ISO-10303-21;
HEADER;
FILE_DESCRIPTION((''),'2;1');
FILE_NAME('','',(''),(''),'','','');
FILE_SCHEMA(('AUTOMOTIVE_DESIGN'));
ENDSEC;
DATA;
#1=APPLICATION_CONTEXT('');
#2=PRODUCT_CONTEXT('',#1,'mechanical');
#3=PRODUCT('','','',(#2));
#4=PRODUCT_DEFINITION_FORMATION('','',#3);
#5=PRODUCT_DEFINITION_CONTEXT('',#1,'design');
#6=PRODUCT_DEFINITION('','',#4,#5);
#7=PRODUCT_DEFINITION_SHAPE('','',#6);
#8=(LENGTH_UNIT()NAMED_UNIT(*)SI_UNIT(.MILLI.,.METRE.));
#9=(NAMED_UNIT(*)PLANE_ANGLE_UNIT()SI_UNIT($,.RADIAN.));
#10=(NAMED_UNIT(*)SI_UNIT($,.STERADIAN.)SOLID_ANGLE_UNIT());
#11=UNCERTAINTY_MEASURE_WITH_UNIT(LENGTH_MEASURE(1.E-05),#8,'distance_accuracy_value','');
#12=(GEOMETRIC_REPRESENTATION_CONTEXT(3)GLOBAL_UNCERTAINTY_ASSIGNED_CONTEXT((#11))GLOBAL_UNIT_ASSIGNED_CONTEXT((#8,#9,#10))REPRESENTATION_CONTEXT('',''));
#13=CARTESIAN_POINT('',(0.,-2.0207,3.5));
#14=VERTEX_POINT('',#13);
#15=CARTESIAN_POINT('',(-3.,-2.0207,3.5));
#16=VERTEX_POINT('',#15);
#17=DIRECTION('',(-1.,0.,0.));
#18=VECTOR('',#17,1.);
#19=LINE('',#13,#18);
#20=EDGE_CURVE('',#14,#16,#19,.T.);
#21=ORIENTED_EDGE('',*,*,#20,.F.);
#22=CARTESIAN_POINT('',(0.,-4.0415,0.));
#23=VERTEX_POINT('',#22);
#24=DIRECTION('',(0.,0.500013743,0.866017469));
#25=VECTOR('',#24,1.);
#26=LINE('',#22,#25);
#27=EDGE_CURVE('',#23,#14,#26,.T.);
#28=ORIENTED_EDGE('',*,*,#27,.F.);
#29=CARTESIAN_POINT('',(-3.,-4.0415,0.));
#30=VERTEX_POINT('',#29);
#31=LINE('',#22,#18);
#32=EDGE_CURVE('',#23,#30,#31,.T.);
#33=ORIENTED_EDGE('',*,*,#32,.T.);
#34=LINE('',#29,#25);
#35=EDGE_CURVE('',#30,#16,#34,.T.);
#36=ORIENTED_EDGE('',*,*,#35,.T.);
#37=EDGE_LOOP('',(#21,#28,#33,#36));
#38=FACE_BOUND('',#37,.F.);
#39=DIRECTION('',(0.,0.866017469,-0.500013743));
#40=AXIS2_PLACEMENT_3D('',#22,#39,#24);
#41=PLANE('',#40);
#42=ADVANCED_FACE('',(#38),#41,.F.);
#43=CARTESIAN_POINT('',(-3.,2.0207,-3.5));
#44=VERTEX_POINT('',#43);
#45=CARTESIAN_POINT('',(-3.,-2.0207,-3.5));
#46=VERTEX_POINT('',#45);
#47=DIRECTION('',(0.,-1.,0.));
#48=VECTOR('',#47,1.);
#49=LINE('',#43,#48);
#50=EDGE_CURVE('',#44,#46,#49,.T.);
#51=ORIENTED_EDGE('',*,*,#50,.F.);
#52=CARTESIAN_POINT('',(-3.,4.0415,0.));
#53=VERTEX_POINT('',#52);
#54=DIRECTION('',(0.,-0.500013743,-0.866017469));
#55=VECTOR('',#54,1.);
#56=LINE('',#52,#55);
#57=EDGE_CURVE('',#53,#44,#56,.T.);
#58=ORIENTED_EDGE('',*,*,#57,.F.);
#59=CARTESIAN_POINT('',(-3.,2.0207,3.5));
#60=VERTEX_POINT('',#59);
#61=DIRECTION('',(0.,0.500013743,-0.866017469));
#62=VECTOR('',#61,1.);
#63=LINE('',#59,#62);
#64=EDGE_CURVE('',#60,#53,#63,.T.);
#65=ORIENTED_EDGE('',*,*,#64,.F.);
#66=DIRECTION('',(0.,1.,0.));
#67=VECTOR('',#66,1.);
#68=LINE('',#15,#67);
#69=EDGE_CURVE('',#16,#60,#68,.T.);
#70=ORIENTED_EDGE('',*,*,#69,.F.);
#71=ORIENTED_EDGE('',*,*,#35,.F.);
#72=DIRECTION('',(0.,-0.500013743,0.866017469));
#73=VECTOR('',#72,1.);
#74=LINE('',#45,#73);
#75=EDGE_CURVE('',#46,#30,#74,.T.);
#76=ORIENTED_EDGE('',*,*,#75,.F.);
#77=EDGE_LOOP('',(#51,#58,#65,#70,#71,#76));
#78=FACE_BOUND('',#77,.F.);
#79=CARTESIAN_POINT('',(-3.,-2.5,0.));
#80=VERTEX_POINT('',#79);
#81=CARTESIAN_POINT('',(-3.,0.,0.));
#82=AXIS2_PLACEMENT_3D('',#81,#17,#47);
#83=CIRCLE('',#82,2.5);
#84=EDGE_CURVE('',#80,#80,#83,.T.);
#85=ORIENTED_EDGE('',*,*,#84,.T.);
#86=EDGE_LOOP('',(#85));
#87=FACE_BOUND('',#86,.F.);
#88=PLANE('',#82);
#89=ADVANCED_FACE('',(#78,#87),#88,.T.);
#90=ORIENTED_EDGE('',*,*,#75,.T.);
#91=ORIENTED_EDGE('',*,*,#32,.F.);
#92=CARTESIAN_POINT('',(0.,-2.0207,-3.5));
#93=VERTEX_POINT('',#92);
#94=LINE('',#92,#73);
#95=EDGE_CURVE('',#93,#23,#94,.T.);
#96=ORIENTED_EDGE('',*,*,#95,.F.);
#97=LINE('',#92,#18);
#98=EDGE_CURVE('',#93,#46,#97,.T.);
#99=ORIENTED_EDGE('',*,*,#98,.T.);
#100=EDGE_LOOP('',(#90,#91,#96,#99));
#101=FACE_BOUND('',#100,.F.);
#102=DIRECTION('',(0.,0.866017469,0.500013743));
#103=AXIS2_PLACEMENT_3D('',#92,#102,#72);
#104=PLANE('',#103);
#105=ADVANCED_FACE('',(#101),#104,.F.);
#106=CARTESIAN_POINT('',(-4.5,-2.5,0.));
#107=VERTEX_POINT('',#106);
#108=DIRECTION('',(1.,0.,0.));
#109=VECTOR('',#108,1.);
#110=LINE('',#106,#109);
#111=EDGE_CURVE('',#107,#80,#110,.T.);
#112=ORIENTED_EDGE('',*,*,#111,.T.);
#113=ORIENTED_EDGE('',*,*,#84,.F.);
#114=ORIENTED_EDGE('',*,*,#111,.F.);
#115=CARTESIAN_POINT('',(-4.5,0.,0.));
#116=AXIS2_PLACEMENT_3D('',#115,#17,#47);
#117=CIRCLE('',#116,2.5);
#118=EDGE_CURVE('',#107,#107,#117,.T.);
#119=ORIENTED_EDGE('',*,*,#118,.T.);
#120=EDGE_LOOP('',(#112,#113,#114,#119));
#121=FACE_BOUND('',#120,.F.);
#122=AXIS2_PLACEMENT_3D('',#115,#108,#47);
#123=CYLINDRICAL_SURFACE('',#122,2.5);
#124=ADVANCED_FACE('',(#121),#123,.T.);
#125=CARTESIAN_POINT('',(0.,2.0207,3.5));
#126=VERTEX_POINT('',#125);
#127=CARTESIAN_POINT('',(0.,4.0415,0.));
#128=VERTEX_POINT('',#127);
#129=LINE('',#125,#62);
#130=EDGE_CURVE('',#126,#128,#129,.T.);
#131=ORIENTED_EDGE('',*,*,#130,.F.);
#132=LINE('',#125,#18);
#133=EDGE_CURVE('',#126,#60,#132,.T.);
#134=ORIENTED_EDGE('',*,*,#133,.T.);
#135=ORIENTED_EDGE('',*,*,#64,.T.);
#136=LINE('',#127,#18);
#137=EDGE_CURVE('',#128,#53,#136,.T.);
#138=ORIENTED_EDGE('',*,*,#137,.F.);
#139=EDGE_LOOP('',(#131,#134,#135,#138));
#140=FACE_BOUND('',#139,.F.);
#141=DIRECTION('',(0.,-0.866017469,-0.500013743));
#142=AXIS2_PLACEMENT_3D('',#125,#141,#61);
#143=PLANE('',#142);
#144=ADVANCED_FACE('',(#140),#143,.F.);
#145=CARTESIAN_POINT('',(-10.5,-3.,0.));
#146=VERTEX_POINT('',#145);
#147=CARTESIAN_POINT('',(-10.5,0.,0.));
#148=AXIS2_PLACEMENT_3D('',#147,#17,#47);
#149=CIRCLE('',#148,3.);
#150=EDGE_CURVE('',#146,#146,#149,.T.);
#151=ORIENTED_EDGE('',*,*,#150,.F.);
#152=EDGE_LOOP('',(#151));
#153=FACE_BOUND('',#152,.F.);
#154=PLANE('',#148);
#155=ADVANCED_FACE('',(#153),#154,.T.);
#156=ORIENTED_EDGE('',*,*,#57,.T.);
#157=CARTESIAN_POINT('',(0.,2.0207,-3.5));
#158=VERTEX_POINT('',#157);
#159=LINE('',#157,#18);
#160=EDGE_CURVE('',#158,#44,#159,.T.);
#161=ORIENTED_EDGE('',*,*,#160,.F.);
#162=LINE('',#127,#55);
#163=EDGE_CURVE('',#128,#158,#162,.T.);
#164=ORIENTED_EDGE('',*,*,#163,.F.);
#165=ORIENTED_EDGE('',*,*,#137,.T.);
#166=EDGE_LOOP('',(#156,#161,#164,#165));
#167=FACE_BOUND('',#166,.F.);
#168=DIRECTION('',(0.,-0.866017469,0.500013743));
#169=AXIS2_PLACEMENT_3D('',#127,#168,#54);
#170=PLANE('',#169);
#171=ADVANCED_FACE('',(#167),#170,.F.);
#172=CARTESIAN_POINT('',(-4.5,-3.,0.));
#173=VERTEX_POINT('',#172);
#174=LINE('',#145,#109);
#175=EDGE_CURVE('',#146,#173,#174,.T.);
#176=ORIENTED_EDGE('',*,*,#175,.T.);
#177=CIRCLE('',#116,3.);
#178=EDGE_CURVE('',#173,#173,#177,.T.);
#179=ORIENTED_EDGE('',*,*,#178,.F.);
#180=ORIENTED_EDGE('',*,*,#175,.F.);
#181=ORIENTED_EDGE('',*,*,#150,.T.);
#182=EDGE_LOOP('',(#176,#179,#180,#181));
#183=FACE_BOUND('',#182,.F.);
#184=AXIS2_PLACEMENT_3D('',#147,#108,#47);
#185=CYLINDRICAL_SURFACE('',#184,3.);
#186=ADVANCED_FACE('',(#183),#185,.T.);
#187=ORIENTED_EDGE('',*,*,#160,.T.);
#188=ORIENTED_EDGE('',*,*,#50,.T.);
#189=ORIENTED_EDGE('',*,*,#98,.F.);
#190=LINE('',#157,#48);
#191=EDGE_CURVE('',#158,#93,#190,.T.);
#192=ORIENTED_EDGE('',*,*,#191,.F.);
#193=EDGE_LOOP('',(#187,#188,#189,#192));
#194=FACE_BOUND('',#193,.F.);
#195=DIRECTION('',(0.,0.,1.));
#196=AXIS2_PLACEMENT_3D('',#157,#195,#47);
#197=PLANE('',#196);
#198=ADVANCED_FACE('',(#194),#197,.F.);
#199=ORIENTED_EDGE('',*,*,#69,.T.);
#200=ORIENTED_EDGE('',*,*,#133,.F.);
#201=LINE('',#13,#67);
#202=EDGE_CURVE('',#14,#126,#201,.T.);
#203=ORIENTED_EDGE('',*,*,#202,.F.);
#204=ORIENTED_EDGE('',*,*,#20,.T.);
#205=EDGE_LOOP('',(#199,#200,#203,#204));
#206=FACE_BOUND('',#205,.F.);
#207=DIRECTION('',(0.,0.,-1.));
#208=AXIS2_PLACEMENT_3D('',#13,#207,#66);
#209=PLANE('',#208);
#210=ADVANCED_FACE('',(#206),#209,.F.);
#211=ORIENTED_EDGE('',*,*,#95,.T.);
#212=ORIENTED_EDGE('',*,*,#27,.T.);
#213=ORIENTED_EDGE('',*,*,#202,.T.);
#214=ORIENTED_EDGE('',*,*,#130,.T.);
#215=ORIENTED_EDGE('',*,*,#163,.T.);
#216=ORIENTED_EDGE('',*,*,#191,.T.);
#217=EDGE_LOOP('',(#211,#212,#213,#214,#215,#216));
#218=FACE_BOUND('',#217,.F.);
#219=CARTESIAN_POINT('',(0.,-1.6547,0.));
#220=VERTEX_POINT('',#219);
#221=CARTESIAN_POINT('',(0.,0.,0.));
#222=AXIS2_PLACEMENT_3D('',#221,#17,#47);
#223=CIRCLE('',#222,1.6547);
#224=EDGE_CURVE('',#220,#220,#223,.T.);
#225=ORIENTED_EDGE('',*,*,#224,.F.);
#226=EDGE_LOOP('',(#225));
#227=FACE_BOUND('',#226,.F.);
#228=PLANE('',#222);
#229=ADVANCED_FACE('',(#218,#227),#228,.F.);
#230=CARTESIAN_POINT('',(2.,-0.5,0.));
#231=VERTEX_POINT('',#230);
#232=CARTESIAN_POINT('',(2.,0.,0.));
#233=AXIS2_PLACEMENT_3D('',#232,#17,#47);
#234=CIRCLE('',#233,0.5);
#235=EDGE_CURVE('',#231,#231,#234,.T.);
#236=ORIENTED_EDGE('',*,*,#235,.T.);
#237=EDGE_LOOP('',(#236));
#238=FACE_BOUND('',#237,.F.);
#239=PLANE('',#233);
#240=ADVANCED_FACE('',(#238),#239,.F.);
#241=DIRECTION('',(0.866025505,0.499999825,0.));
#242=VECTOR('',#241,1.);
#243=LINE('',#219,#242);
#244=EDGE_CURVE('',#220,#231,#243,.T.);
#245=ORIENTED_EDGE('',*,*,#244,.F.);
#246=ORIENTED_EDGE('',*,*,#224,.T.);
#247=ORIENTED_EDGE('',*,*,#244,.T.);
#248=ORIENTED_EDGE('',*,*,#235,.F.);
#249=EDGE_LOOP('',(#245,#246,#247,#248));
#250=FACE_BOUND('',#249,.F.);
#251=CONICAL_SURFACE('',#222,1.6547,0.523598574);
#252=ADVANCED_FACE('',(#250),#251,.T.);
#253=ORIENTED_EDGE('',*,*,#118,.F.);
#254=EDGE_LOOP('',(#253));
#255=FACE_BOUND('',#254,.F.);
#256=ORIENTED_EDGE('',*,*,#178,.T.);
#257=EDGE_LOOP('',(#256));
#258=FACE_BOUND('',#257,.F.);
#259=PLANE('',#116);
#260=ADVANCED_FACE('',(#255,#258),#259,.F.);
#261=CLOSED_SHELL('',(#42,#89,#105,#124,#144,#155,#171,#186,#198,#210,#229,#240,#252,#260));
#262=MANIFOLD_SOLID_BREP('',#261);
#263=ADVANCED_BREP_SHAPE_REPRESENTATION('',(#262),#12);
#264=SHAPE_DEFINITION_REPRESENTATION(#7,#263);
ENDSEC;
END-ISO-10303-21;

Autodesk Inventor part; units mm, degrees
ref_plane "YZ Plane" through (0, 0, 0) normal (1, 0, 0) x (0, 1, 0)
ref_plane "XZ Plane" through (0, 0, 0) normal (0, 1, 0) x (-1, 0, 0)
ref_plane "XY Plane" through (0, 0, 0) normal (0, 0, 1) x (1, 0, 0)
sketch "Sketch1" plane through (0, 0, 0) normal (0, 0, 1) x (1, 0, 0)
  line L0 (0, 0) -> (-10.5, 0)
  line L1 (-10.5, 0) -> (-10.5, -3)
  line L2 (-10.5, -3) -> (-4.5, -3)
  line L3 (-4.5, -3) -> (-4.5, -2.5)
  line L4 (-4.5, -2.5) -> (-3, -2.5)
  line L5 (-3, -2.5) -> (-3, -10)
  line L6 (-3, -10) -> (0, -10)
  line L7 (0, -10) -> (0, -1.6547)
  line L8 (0, -1.6547) -> (2, -0.5)
  line L9 (2, -0.5) -> (2, 0)
  line L10 (2, 0) -> (0, 0)
  dimension "d0" = 0.5
  dimension "d3" = 3
  dimension "d5" = 2.5
  dimension "d6" = 10
  dimension "d7" = 10.5
  dimension "d8" = 2
  dimension "d9" = 30
  dimension "d10" = 7.5
  dimension "d11" = 6
revolve "Revolution1" add sketch "Sketch1" angle 360 about axis through (0, 0, 0) along (-1, 0, 0)
sketch "Sketch2" plane through (0, 0, 0) normal (1, 0, 0) x (0, 0, -1)
  circle A0 centre (0, 0) radius 10 projected
  circle A1 centre (0, 0) radius 1.6547 projected
  line L0 (0, 4.0415) -> (3.5, 2.0207)
  line L1 (3.5, 2.0207) -> (3.5, -2.0207)
  line L2 (3.5, -2.0207) -> (0, -4.0415)
  line L3 (0, -4.0415) -> (-3.5, -2.0207)
  line L4 (-3.5, -2.0207) -> (-3.5, 2.0207)
  line L5 (-3.5, 2.0207) -> (0, 4.0415)
  dimension "d13" = 7
extrude "Extrusion1" cut sketch "Sketch2" against normal up to surface (3 mm away) contours A0
properties part number "nozzle"
